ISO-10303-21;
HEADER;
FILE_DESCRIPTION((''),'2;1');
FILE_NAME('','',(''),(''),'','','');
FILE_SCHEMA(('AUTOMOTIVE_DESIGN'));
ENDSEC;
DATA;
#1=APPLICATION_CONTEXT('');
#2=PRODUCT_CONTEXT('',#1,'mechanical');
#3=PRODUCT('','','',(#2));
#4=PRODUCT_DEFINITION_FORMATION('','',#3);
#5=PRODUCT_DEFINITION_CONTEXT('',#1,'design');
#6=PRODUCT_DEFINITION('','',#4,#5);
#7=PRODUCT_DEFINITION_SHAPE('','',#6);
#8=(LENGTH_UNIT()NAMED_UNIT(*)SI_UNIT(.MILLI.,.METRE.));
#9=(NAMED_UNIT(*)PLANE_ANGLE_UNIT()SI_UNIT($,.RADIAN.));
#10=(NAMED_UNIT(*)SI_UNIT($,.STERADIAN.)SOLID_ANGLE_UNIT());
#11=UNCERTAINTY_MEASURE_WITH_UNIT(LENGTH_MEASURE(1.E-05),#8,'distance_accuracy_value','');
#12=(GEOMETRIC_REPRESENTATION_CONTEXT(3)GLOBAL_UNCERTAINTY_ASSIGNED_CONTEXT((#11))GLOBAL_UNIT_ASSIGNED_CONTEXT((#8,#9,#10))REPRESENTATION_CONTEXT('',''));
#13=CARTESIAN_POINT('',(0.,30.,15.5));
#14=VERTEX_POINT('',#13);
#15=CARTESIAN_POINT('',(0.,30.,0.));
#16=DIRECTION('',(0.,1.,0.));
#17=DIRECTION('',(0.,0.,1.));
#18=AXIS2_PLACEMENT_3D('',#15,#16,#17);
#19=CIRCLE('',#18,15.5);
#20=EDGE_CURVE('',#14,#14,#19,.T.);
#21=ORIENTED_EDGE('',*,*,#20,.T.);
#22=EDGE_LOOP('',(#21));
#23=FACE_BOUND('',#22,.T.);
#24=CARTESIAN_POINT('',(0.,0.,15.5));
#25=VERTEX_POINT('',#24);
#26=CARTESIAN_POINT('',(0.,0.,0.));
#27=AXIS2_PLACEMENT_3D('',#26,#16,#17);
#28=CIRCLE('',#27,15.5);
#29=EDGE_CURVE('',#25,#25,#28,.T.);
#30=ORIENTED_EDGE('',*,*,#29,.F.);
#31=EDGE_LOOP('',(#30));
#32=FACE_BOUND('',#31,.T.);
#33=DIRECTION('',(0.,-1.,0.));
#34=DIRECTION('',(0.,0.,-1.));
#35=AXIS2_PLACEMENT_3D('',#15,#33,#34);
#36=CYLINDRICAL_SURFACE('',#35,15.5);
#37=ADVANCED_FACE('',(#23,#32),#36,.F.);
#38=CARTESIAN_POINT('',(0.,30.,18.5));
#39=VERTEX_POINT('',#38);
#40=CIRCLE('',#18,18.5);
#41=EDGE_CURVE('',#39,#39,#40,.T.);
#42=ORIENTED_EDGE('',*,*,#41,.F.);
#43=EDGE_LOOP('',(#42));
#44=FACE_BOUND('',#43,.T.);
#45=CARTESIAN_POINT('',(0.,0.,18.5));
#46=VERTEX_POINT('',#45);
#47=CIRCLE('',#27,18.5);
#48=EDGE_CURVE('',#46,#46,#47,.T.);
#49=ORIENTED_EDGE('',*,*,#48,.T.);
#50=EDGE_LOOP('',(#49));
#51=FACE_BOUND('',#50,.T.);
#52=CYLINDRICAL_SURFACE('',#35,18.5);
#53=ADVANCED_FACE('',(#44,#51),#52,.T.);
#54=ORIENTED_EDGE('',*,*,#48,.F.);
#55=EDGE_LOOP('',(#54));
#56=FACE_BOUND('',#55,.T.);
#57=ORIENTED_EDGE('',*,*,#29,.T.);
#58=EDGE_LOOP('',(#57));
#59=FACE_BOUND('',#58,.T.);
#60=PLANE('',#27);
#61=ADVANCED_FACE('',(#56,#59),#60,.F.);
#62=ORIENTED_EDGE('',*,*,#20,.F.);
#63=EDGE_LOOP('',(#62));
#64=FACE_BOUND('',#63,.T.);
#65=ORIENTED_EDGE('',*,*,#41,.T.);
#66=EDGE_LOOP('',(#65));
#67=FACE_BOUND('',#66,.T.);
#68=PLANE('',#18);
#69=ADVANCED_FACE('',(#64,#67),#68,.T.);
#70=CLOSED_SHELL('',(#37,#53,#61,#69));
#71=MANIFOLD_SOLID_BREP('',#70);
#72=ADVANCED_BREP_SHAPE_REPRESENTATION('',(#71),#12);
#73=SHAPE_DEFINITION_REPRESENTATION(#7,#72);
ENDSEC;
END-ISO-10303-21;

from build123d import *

# Parameters (mm, degrees)
SKETCH1_R           = 18.5
SKETCH1_R_2         = 15.5
BOSS_EXTRUDE1_DEPTH = 30


with BuildPart() as part:
    # Sketch1 → Boss-Extrude1 (new body)
    with BuildSketch(Plane(origin=(0, 0, 0), x_dir=(1, 0, 0), z_dir=(0, 1, 0))):
        with Locations(Location((0, 0, 0), (0, 0, 270))):
            Circle(SKETCH1_R)
        with Locations(Location((0, 0, 0), (0, 0, 270))):
            Circle(SKETCH1_R_2, mode=Mode.SUBTRACT)
    extrude(amount=BOSS_EXTRUDE1_DEPTH)


solid = part.part
